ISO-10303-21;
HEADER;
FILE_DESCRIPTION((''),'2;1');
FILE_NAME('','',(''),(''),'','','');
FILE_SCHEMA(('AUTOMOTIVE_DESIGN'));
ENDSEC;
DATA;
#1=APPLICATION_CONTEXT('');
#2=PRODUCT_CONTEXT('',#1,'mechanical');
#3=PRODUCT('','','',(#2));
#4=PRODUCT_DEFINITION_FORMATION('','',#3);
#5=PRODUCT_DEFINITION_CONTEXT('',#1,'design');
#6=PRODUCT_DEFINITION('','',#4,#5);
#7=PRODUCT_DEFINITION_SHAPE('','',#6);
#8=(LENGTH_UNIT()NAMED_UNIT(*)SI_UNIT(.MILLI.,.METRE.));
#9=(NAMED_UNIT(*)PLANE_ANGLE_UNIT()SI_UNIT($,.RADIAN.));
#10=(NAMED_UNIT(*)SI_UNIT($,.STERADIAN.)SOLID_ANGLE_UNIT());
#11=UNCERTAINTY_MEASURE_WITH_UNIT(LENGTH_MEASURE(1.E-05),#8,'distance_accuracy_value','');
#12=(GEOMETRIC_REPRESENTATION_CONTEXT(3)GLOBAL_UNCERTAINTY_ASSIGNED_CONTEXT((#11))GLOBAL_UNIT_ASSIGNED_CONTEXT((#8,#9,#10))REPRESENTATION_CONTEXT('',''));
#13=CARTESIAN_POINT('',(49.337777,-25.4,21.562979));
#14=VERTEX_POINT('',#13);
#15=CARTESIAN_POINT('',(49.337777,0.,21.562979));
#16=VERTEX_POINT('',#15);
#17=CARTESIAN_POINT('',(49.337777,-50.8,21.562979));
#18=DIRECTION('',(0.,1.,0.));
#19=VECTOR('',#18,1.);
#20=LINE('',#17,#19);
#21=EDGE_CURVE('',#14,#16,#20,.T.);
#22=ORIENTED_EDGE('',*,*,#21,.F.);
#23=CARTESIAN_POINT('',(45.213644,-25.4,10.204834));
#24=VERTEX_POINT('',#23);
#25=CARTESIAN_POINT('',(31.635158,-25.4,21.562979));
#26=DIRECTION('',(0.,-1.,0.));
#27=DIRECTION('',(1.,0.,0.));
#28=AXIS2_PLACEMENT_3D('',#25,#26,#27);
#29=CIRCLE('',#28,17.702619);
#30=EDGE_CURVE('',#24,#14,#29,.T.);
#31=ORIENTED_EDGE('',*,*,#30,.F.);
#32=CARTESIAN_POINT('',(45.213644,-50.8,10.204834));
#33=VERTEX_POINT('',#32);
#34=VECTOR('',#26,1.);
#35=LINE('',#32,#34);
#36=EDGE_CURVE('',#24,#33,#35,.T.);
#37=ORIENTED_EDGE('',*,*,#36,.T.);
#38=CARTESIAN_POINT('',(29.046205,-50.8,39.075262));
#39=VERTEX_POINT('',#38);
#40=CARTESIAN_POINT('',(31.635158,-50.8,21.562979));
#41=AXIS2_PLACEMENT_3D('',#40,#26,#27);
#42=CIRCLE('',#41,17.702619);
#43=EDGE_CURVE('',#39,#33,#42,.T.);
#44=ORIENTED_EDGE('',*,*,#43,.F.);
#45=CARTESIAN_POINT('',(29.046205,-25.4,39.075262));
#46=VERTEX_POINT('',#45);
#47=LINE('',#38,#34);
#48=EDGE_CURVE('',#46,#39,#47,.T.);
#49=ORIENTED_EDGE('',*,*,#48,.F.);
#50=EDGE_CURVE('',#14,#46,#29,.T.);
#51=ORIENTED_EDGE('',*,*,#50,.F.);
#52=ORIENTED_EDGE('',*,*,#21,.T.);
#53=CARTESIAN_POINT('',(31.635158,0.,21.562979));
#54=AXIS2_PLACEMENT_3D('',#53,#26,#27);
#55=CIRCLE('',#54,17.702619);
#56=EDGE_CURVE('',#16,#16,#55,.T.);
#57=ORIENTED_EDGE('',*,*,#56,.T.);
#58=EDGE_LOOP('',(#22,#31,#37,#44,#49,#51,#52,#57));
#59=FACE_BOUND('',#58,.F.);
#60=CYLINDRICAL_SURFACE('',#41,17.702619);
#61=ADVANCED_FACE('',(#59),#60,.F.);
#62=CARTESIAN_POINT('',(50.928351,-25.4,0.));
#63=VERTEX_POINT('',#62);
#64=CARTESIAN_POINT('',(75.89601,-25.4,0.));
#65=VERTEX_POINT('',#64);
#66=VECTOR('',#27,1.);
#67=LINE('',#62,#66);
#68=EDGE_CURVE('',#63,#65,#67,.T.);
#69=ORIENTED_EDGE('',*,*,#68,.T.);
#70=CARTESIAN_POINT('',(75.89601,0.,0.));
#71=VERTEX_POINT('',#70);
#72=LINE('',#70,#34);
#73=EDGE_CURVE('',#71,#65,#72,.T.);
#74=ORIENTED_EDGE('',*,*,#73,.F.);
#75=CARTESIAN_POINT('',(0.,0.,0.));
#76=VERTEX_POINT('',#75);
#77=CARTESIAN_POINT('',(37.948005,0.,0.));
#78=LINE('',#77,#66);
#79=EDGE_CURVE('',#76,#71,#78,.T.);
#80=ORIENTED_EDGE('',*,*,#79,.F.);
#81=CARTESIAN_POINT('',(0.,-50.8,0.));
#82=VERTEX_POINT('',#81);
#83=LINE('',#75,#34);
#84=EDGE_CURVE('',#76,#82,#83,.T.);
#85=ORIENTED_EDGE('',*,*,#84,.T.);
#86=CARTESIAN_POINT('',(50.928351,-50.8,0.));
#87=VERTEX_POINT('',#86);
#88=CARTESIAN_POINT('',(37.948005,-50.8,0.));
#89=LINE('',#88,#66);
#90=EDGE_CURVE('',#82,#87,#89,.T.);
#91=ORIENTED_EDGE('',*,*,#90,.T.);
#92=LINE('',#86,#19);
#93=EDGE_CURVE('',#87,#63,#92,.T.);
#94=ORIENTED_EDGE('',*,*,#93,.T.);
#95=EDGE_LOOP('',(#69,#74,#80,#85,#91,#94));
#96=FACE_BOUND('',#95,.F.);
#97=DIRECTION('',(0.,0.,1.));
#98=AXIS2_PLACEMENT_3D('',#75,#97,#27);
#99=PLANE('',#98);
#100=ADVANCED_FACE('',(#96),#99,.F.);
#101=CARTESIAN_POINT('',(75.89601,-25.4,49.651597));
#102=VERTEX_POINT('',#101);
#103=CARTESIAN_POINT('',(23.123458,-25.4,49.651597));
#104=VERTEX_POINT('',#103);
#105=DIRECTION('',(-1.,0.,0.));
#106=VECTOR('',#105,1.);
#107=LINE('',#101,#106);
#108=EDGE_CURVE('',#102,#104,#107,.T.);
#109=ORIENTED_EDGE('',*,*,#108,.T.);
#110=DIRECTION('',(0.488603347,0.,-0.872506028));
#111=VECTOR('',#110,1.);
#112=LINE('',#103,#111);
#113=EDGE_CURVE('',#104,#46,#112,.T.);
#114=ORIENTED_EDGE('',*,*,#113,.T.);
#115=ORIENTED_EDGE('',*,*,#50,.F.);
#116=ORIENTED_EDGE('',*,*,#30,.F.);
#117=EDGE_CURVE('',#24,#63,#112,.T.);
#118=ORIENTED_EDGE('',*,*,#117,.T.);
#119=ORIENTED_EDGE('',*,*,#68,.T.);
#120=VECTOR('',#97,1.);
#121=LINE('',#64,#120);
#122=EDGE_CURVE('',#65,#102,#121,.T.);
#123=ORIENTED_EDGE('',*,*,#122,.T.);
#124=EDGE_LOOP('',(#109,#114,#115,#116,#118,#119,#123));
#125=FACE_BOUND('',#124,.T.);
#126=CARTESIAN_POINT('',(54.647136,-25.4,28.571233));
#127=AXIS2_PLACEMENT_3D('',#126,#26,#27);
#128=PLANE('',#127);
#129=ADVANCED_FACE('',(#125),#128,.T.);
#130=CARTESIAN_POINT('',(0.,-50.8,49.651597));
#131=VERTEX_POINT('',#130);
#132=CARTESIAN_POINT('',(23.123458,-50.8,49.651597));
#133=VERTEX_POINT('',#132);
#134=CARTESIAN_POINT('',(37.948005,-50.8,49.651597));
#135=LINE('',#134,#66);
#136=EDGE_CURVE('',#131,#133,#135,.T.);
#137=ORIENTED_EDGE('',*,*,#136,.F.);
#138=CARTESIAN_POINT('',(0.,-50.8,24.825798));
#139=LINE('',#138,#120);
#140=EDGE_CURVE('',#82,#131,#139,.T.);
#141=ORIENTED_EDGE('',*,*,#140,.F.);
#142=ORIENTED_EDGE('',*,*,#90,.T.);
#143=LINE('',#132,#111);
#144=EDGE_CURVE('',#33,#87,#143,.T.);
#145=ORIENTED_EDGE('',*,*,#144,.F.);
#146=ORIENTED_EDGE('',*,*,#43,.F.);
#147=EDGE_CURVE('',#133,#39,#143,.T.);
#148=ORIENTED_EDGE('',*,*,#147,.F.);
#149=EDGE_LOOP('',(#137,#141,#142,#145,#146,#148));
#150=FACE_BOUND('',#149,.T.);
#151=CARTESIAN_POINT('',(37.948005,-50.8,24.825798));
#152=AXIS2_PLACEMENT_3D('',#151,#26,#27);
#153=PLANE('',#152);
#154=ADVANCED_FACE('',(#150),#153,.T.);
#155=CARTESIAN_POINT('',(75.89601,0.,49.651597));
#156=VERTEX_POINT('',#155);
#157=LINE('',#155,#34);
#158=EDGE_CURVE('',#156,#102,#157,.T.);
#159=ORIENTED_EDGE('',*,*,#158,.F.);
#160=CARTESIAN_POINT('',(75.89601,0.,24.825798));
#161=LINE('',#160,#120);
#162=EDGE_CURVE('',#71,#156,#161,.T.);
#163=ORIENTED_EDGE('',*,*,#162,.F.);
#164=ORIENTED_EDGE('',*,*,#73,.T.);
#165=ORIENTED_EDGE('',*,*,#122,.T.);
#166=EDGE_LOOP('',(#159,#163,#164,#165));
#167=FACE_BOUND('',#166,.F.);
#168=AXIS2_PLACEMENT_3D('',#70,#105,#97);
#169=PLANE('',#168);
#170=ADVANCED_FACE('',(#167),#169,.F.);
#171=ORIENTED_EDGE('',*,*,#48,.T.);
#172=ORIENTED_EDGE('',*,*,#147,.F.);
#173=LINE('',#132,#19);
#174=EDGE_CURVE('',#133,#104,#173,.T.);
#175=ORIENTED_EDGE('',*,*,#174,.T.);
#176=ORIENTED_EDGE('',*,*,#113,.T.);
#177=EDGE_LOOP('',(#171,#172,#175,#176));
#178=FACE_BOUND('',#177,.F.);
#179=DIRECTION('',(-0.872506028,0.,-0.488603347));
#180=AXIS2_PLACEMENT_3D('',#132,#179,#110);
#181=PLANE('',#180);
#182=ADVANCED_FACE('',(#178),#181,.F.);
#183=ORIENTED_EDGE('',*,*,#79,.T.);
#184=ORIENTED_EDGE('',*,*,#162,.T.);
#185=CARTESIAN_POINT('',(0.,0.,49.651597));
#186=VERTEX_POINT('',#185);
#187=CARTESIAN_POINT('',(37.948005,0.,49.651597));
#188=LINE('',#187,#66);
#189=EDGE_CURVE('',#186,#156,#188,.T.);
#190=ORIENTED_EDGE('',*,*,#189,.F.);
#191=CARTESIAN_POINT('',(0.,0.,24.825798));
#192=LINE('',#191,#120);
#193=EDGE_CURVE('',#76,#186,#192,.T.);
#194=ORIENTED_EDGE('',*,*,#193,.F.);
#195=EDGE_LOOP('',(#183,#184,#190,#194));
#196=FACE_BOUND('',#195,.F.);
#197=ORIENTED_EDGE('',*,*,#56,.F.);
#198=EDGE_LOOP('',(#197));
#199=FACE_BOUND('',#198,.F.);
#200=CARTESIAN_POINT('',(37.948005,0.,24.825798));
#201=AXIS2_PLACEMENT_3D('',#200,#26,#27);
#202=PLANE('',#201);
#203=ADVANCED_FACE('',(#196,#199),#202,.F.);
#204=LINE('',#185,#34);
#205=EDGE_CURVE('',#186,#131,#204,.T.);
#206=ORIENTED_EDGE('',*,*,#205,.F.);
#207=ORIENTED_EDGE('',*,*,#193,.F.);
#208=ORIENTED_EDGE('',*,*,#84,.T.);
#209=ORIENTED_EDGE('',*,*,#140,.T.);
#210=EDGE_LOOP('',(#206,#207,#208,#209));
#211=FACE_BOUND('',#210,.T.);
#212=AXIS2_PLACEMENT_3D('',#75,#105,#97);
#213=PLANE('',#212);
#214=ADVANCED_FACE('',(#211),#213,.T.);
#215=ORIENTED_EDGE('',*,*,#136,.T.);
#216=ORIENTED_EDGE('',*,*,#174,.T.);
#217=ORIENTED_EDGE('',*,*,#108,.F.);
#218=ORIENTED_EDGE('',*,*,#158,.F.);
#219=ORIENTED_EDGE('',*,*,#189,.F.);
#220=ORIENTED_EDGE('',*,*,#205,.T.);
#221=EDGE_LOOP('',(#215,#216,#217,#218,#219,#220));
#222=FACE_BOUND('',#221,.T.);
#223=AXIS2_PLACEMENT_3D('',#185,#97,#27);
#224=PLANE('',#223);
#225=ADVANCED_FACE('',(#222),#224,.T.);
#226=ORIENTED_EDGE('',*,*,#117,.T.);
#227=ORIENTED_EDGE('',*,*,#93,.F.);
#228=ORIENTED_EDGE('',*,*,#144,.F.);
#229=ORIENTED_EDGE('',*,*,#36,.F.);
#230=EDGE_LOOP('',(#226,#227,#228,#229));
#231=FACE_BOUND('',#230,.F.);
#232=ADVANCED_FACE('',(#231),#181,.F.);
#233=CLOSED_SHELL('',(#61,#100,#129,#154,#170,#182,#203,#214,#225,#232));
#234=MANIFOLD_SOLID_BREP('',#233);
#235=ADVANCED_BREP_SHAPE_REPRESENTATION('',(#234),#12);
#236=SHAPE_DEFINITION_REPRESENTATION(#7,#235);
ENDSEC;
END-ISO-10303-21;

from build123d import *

# Parameters (mm, degrees)
F0_W     = 75.8960098028
F0_H     = 49.6515966952
F1_DEPTH = 50.8
F3_DEPTH = 25.4
F4_R     = 17.7026194938
F5_DEPTH = 50.8


with BuildPart() as f1:
    # F0 (on Front) → F1 (new body)
    with BuildSketch(Plane.XZ):
        with Locations((37.9480049014, 24.8257983476)):
            Rectangle(F0_W, F0_H)
    extrude(amount=F1_DEPTH)

    # F2 (on face) → F3 (cut)
    with BuildSketch(Plane.XZ.offset(50.8)):
        Polygon((75.8960098028, 49.6515966952), (23.1234580278, 49.6515966952), (50.928350538, 0), (75.8960098028, 0), align=None)
    extrude(amount=-F3_DEPTH, mode=Mode.SUBTRACT)

    # F4 (on face) → F5 (cut)
    with BuildSketch(Plane.XZ.offset(50.8)):
        with Locations((31.635157764, 21.5629786253)):
            Circle(F4_R)
    extrude(amount=-F5_DEPTH, mode=Mode.SUBTRACT)


solid = f1.part
